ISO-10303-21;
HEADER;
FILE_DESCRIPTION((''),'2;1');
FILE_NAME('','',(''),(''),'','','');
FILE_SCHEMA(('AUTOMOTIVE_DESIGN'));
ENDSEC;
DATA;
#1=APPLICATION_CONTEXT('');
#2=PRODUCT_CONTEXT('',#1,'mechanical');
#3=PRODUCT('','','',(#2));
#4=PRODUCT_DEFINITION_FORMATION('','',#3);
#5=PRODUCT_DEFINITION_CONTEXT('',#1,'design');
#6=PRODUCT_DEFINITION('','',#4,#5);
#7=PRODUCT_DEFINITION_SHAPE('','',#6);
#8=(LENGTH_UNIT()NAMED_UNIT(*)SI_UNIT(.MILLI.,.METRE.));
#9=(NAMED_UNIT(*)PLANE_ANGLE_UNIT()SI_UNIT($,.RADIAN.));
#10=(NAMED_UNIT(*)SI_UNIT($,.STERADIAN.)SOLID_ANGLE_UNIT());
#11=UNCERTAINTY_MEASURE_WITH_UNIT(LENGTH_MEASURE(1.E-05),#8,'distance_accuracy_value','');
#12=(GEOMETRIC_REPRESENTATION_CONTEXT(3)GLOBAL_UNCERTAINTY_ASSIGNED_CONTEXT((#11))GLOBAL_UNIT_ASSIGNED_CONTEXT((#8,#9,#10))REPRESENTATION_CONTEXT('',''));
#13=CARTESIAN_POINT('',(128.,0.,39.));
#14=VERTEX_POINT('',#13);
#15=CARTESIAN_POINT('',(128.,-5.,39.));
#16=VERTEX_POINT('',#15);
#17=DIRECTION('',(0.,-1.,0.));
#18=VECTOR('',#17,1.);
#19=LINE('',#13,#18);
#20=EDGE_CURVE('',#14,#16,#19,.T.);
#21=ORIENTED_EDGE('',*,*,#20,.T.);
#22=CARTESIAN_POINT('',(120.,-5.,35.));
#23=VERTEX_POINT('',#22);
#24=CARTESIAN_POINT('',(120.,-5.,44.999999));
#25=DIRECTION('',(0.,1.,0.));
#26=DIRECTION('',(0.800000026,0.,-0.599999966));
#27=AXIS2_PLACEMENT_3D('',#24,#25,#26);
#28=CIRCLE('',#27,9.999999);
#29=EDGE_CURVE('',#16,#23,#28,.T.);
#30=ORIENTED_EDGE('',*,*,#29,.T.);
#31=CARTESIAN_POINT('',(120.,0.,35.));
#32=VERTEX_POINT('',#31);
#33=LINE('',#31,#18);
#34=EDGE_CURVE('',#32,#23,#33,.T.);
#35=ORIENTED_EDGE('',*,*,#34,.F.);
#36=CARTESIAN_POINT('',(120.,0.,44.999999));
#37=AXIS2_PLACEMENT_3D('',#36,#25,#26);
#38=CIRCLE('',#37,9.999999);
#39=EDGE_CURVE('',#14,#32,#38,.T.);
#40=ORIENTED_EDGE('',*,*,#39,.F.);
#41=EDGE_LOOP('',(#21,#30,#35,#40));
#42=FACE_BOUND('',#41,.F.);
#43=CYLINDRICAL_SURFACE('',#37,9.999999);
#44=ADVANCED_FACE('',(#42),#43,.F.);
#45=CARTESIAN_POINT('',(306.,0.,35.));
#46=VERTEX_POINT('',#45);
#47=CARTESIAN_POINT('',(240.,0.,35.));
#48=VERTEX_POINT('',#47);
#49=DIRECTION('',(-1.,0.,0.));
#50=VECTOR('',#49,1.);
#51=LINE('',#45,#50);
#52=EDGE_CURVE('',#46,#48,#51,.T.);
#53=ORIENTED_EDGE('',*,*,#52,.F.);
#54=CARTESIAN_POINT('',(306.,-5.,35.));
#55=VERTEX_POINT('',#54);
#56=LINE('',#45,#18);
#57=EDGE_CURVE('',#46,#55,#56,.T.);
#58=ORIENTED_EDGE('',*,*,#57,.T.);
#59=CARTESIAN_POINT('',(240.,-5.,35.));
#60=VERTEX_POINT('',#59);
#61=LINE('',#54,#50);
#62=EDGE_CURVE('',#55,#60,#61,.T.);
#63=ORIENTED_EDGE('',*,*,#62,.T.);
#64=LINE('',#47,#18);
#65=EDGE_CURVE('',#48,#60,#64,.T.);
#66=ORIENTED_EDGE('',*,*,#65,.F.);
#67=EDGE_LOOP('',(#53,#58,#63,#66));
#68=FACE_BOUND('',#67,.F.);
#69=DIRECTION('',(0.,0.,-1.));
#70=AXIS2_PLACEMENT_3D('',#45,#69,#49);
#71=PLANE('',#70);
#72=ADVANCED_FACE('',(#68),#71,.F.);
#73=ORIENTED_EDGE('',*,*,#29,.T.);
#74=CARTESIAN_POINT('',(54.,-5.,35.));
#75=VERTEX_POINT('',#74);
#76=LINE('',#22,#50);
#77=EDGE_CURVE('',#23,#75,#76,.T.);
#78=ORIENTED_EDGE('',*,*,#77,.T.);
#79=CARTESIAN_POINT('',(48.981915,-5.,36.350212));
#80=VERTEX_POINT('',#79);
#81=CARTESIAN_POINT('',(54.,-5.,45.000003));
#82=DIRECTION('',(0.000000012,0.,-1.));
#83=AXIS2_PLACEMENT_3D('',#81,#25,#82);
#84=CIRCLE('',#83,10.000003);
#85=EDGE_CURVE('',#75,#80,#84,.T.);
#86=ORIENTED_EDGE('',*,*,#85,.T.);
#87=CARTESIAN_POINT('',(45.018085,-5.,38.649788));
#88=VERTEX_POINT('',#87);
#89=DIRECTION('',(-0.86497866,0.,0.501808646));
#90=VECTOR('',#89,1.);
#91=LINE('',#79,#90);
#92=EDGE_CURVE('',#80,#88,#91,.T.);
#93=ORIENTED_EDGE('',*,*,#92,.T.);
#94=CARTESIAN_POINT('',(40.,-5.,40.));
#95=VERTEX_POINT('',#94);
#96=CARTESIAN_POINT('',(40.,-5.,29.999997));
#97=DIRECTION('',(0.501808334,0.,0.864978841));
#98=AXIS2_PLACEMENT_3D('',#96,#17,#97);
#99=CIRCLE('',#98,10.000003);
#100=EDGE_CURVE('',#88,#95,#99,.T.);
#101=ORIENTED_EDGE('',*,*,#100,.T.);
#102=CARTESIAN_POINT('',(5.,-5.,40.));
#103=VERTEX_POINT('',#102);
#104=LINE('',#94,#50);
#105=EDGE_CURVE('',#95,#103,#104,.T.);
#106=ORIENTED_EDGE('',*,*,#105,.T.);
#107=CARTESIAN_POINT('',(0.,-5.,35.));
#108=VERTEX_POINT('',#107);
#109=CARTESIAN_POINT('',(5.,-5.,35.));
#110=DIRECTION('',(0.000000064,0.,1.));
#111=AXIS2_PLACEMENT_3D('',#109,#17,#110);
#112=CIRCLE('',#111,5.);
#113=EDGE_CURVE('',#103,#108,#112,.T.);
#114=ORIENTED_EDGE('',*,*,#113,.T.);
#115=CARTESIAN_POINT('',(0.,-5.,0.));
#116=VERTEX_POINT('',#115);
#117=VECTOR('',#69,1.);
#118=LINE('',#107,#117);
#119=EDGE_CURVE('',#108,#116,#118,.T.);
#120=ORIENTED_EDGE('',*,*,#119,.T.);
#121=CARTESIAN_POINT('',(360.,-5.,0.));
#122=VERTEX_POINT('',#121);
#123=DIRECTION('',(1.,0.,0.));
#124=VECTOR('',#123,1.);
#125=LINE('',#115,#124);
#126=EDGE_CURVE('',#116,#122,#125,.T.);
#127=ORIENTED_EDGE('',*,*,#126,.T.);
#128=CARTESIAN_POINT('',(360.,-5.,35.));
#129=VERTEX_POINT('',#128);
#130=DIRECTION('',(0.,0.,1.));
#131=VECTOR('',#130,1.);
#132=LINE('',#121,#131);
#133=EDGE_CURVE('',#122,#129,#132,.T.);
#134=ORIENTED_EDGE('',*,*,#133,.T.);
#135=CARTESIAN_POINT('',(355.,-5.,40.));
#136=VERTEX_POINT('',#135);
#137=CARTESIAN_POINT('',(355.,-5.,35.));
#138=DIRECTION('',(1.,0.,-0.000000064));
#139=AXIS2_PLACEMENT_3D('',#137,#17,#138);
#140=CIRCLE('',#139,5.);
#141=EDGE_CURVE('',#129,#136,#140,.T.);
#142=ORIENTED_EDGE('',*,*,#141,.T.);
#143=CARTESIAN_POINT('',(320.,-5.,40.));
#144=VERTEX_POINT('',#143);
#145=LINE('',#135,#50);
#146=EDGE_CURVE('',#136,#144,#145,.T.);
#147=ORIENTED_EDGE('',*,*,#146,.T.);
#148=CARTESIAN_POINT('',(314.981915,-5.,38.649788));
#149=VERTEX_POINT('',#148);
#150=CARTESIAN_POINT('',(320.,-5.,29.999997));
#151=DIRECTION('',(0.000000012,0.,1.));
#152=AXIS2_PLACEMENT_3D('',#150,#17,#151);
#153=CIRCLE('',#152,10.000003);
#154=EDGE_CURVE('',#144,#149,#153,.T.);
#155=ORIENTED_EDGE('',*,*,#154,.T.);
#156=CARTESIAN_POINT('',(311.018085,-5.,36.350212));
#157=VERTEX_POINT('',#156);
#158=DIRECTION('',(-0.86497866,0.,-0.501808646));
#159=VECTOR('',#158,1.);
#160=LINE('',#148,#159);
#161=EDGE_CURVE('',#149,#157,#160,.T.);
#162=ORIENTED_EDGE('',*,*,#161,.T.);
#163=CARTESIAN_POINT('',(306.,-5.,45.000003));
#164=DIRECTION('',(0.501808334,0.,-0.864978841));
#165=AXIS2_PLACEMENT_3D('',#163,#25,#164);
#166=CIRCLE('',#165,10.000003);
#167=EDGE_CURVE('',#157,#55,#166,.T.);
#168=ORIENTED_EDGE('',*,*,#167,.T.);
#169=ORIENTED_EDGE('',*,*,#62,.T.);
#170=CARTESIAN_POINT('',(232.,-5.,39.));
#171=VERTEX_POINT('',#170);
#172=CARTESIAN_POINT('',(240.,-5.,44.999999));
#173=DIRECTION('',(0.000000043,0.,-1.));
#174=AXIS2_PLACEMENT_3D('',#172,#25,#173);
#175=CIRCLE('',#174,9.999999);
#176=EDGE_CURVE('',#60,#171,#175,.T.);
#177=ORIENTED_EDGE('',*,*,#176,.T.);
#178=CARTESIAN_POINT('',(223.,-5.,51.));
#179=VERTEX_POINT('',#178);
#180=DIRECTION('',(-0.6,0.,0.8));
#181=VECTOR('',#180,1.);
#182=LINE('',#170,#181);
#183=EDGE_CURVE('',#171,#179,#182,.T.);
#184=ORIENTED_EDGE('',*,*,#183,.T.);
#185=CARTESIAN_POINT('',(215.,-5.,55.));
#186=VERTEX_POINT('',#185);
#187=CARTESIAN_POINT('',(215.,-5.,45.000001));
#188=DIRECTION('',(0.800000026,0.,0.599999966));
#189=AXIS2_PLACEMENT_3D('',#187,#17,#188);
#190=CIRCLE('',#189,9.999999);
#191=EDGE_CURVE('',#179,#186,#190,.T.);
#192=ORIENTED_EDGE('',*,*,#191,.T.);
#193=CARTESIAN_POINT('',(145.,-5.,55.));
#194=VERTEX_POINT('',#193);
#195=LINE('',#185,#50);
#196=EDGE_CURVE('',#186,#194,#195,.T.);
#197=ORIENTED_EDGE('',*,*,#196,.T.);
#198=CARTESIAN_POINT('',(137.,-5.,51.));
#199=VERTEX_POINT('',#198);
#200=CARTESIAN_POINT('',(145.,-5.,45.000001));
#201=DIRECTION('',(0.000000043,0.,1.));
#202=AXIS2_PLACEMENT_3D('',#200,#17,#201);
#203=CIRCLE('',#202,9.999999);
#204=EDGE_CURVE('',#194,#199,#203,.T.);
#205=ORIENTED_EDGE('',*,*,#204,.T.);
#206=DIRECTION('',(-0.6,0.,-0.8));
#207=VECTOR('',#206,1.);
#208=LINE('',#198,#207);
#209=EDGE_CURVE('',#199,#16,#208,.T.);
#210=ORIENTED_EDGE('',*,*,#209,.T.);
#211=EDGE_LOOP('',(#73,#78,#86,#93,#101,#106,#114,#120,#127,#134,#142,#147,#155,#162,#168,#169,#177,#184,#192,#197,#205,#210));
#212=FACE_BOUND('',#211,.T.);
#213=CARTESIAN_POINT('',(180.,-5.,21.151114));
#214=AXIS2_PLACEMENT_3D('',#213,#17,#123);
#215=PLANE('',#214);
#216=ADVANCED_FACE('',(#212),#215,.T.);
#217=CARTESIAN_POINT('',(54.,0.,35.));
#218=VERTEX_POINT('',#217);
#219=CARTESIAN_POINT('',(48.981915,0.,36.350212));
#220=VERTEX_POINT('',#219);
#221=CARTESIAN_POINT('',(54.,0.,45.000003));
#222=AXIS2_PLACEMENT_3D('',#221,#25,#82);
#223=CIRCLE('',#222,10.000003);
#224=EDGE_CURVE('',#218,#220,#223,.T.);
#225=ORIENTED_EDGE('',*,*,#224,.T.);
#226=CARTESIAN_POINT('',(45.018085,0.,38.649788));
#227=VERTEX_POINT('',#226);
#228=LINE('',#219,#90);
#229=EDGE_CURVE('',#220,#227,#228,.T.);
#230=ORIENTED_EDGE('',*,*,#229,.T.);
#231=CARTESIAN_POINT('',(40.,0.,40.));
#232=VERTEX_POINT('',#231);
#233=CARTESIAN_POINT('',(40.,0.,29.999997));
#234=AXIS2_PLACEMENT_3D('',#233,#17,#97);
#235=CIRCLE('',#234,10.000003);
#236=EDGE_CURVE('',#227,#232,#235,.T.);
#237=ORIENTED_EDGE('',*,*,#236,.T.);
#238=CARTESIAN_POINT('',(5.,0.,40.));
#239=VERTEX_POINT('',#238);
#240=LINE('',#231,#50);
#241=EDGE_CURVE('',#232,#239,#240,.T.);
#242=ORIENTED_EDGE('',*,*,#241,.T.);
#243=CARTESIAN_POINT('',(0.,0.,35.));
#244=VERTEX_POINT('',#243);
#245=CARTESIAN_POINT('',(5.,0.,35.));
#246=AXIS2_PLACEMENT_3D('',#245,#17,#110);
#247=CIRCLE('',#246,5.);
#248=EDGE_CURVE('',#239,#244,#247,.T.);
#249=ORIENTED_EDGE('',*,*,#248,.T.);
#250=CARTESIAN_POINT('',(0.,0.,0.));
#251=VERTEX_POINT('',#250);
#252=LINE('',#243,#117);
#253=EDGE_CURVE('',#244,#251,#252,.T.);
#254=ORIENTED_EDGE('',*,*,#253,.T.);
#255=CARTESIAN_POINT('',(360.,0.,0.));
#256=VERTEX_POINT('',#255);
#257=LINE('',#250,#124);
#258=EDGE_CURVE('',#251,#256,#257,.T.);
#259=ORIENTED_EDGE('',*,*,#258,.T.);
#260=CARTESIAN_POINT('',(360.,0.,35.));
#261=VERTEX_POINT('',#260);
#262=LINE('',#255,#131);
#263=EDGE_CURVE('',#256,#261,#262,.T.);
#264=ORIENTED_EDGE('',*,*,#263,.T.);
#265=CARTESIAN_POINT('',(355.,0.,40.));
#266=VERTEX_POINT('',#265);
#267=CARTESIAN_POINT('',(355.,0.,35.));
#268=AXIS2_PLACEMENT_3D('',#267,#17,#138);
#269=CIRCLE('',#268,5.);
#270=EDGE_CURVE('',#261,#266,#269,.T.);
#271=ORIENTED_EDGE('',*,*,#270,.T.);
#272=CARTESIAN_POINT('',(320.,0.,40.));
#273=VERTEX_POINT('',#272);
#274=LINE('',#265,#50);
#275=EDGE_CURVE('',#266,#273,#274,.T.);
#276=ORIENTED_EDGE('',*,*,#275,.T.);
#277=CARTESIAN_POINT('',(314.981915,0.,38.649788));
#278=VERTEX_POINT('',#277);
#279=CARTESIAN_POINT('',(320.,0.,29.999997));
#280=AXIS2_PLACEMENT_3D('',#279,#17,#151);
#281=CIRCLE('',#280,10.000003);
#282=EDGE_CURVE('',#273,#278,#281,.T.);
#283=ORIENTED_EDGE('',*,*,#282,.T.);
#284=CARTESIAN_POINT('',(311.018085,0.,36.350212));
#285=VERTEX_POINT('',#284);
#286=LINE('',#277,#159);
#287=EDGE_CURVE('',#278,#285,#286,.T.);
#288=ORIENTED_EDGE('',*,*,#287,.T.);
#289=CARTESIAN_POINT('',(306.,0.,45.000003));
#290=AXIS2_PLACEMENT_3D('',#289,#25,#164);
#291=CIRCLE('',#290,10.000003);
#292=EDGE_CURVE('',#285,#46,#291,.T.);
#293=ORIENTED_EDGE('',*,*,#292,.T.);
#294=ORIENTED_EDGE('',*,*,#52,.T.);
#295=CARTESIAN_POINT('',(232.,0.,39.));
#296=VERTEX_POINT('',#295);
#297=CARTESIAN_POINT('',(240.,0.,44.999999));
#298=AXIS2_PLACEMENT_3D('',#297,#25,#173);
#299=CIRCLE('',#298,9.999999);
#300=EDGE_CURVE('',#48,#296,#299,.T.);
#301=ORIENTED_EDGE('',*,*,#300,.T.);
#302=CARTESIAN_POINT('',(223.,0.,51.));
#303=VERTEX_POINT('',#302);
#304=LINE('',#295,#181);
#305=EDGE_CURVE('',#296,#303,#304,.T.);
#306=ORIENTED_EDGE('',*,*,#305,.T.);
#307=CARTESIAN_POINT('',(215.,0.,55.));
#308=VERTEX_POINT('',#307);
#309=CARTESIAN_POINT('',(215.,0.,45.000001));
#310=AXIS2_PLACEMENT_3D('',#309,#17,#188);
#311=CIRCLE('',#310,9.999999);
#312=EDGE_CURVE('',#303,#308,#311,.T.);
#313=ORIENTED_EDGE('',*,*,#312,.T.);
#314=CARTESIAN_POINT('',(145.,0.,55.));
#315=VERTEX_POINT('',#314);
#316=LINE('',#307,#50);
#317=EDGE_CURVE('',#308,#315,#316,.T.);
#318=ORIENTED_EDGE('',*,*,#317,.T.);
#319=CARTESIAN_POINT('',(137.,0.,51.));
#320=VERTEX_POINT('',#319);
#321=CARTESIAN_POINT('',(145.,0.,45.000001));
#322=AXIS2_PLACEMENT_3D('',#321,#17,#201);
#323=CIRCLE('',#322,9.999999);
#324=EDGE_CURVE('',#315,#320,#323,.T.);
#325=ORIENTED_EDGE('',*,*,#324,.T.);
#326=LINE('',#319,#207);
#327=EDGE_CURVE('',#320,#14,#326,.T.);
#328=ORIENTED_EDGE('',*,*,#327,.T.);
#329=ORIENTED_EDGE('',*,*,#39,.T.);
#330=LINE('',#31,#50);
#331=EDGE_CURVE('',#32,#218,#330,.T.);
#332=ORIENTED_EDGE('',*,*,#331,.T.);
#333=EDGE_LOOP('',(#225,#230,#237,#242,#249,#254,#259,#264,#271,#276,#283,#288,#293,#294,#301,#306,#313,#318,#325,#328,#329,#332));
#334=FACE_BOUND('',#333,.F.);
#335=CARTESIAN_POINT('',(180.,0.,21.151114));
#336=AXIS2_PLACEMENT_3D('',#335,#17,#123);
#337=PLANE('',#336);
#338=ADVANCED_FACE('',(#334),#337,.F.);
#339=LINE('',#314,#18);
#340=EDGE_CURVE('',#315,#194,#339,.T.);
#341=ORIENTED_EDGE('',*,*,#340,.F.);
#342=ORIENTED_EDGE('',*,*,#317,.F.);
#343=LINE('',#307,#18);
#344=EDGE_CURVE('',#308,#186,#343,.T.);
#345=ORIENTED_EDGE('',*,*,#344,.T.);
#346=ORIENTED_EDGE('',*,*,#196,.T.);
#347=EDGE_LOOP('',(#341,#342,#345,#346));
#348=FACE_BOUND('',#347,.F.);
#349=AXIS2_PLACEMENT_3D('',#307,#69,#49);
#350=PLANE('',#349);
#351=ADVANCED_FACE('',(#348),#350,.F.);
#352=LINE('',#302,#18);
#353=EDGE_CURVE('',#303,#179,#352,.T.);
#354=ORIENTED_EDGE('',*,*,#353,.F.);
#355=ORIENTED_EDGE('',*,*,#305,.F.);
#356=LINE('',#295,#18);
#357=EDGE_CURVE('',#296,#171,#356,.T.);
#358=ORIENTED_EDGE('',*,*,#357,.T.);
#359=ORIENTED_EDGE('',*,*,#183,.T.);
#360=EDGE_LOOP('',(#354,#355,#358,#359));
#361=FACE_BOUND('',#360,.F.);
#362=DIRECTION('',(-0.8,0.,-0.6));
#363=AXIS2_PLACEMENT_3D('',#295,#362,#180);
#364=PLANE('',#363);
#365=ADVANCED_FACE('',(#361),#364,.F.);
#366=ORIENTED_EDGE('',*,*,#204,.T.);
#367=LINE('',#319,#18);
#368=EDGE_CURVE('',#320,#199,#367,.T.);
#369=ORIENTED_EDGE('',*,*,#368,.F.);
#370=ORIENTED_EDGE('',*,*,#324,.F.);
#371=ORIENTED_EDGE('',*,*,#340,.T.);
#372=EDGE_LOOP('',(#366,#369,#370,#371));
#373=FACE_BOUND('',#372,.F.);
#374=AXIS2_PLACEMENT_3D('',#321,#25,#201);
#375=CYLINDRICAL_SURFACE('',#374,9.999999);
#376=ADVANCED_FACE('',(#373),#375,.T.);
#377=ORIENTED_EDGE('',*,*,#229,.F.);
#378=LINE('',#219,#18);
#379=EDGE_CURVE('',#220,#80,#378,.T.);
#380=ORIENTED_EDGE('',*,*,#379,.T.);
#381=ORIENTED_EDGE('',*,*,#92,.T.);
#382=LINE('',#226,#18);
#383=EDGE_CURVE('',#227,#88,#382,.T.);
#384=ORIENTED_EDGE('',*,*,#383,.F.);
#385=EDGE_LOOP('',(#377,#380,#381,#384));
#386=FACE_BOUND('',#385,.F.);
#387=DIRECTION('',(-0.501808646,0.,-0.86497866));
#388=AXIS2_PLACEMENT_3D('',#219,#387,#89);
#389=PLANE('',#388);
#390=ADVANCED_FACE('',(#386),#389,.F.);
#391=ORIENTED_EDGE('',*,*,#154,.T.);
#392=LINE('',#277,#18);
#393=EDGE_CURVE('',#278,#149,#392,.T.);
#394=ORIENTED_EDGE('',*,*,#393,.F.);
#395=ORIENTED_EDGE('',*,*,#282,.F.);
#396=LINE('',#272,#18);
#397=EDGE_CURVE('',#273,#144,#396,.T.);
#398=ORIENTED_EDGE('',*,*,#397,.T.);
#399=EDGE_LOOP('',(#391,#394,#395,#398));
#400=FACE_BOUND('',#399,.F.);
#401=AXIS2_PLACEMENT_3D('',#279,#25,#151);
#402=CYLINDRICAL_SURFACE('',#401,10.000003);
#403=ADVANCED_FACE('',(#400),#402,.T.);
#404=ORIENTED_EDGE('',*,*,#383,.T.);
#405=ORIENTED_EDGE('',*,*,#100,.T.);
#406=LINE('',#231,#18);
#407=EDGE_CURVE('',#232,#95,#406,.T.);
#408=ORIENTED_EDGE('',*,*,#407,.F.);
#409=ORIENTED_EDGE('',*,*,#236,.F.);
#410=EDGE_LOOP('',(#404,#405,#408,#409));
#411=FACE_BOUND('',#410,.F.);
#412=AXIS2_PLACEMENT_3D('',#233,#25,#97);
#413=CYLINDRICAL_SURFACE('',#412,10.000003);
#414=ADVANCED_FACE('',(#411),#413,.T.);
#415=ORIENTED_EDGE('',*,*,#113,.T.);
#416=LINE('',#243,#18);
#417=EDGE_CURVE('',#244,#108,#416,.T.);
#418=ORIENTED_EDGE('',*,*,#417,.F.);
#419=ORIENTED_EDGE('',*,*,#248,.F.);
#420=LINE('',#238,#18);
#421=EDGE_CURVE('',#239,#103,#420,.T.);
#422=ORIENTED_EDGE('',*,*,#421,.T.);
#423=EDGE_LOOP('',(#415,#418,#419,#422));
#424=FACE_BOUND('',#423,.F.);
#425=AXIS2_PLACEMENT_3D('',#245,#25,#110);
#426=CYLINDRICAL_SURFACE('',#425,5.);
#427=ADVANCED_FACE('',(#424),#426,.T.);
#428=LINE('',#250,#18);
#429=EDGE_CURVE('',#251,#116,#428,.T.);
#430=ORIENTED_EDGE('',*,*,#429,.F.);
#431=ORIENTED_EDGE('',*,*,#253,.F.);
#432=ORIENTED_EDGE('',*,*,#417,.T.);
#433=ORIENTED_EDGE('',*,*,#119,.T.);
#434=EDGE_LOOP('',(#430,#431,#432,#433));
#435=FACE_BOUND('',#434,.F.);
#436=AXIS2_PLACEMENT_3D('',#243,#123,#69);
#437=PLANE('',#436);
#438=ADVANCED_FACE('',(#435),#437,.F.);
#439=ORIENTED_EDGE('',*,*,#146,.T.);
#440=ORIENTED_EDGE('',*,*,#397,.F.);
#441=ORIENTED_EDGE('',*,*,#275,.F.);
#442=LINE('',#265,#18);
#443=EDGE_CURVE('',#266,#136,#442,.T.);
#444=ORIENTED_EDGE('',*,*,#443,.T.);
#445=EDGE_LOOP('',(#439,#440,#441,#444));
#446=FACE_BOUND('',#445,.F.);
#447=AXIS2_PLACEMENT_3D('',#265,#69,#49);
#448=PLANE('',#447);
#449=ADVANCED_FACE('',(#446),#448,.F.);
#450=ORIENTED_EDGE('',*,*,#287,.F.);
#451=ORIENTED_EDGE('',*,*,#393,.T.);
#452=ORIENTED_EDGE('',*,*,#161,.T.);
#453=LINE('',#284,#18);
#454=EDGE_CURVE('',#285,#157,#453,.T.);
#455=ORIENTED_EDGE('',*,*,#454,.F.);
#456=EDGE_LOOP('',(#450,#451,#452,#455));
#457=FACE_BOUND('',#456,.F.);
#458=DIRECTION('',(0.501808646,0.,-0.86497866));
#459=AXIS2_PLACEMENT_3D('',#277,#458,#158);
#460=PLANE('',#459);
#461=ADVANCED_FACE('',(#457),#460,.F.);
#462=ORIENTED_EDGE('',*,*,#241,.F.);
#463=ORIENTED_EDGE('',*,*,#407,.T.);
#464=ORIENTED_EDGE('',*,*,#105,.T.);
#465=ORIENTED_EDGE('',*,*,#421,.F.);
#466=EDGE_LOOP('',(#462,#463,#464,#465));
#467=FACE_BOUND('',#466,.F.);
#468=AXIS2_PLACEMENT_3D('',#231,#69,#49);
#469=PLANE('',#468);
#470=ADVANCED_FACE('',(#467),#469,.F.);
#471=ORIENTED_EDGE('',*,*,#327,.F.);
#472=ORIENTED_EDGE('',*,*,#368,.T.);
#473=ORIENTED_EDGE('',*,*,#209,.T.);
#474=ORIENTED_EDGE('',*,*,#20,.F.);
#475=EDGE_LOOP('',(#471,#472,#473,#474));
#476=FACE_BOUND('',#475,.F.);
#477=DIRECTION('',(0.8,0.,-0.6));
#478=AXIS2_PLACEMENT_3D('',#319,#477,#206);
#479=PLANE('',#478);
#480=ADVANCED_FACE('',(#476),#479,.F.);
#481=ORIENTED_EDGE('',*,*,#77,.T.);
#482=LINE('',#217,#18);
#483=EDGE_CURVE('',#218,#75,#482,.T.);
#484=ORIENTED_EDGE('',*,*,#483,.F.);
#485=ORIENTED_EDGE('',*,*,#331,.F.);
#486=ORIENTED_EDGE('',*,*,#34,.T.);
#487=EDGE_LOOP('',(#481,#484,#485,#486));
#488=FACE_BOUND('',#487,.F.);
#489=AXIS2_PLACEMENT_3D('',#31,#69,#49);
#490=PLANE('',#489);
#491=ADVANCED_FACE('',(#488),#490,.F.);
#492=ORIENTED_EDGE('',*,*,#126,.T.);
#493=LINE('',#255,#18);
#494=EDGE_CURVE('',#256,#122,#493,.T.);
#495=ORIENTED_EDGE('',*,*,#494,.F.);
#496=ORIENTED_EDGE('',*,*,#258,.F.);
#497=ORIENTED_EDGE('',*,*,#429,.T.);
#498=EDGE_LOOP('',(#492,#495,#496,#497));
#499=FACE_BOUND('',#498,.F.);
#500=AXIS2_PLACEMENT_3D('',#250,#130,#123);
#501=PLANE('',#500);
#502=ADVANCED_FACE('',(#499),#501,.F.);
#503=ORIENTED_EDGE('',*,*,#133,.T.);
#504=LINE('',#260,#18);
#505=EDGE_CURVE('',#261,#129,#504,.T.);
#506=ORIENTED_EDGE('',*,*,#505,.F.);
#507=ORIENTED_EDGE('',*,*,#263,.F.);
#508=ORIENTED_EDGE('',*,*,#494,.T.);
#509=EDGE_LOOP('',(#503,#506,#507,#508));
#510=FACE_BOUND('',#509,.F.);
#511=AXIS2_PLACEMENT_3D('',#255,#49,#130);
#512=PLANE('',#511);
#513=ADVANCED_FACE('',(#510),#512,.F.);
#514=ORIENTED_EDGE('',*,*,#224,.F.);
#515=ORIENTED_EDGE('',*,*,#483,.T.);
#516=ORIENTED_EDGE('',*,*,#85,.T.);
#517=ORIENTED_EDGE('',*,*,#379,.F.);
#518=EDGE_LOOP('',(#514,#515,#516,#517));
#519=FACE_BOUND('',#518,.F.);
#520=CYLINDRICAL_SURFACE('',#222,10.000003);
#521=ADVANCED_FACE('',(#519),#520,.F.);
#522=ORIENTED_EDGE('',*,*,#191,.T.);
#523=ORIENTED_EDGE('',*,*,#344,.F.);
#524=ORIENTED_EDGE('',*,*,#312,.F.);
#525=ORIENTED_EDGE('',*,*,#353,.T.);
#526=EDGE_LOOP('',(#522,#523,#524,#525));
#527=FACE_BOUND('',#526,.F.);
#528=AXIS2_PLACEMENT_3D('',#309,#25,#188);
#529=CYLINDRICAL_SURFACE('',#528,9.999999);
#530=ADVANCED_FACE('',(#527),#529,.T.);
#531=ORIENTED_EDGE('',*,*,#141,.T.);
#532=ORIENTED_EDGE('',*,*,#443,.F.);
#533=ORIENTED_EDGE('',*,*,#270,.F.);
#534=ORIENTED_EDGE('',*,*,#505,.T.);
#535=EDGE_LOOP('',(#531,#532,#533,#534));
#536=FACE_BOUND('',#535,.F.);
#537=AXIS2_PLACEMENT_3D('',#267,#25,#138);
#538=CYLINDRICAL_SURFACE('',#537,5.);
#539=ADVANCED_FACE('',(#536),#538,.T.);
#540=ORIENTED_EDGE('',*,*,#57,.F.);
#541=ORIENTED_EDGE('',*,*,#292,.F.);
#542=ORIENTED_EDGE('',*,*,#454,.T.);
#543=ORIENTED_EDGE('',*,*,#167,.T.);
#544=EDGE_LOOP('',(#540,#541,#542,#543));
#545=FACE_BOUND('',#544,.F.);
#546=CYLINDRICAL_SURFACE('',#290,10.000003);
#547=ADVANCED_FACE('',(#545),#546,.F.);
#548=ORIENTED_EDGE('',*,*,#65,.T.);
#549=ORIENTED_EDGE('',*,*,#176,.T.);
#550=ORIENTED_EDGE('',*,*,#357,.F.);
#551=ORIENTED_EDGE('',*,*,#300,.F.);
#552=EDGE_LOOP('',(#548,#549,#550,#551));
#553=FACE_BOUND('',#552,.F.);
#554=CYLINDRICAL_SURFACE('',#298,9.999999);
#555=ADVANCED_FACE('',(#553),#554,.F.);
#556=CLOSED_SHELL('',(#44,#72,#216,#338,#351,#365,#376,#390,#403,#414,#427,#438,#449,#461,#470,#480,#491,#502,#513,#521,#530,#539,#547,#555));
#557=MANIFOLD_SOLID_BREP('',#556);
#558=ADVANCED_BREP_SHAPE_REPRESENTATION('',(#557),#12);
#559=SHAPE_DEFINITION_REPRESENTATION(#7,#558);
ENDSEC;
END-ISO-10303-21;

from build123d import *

# Parameters (mm, degrees)
F1_DEPTH = 5


with BuildPart() as f1:
    # F0 (on Front) → F1 (new body)
    with BuildSketch(Plane.XZ):
        with BuildLine():
            Line((0, 35), (0, 0))
            Line((0, 0), (180, 0))
            Line((180, 0), (360, 0))
            Line((360, 0), (360, 35))
            ThreePointArc((360, 35), (358.535534, 38.535534), (355, 40))
            Line((355, 40), (320, 40))
            ThreePointArc((320, 40), (317.401719, 39.656549), (314.981915, 38.649788))
            Line((314.981915, 38.649788), (311.018085, 36.350212))
            ThreePointArc((311.018085, 36.350212), (308.598281, 35.343451), (306, 35))
            Line((306, 35), (240, 35))
            ThreePointArc((240, 35), (235.527864, 36.055728), (232, 39))
            Line((232, 39), (223, 51))
            ThreePointArc((223, 51), (219.472136, 53.944272), (215, 55))
            Line((215, 55), (180, 55))
            Line((180, 55), (145, 55))
            ThreePointArc((145, 55), (140.527864, 53.944272), (137, 51))
            Line((137, 51), (128, 39))
            ThreePointArc((128, 39), (124.472136, 36.055728), (120, 35))
            Line((120, 35), (54, 35))
            ThreePointArc((54, 35), (51.401719, 35.343451), (48.981915, 36.350212))
            Line((48.981915, 36.350212), (45.018085, 38.649788))
            ThreePointArc((45.018085, 38.649788), (42.598281, 39.656549), (40, 40))
            Line((40, 40), (5, 40))
            ThreePointArc((5, 40), (1.464466, 38.535534), (0, 35))
        make_face()
    extrude(amount=F1_DEPTH)


solid = f1.part
